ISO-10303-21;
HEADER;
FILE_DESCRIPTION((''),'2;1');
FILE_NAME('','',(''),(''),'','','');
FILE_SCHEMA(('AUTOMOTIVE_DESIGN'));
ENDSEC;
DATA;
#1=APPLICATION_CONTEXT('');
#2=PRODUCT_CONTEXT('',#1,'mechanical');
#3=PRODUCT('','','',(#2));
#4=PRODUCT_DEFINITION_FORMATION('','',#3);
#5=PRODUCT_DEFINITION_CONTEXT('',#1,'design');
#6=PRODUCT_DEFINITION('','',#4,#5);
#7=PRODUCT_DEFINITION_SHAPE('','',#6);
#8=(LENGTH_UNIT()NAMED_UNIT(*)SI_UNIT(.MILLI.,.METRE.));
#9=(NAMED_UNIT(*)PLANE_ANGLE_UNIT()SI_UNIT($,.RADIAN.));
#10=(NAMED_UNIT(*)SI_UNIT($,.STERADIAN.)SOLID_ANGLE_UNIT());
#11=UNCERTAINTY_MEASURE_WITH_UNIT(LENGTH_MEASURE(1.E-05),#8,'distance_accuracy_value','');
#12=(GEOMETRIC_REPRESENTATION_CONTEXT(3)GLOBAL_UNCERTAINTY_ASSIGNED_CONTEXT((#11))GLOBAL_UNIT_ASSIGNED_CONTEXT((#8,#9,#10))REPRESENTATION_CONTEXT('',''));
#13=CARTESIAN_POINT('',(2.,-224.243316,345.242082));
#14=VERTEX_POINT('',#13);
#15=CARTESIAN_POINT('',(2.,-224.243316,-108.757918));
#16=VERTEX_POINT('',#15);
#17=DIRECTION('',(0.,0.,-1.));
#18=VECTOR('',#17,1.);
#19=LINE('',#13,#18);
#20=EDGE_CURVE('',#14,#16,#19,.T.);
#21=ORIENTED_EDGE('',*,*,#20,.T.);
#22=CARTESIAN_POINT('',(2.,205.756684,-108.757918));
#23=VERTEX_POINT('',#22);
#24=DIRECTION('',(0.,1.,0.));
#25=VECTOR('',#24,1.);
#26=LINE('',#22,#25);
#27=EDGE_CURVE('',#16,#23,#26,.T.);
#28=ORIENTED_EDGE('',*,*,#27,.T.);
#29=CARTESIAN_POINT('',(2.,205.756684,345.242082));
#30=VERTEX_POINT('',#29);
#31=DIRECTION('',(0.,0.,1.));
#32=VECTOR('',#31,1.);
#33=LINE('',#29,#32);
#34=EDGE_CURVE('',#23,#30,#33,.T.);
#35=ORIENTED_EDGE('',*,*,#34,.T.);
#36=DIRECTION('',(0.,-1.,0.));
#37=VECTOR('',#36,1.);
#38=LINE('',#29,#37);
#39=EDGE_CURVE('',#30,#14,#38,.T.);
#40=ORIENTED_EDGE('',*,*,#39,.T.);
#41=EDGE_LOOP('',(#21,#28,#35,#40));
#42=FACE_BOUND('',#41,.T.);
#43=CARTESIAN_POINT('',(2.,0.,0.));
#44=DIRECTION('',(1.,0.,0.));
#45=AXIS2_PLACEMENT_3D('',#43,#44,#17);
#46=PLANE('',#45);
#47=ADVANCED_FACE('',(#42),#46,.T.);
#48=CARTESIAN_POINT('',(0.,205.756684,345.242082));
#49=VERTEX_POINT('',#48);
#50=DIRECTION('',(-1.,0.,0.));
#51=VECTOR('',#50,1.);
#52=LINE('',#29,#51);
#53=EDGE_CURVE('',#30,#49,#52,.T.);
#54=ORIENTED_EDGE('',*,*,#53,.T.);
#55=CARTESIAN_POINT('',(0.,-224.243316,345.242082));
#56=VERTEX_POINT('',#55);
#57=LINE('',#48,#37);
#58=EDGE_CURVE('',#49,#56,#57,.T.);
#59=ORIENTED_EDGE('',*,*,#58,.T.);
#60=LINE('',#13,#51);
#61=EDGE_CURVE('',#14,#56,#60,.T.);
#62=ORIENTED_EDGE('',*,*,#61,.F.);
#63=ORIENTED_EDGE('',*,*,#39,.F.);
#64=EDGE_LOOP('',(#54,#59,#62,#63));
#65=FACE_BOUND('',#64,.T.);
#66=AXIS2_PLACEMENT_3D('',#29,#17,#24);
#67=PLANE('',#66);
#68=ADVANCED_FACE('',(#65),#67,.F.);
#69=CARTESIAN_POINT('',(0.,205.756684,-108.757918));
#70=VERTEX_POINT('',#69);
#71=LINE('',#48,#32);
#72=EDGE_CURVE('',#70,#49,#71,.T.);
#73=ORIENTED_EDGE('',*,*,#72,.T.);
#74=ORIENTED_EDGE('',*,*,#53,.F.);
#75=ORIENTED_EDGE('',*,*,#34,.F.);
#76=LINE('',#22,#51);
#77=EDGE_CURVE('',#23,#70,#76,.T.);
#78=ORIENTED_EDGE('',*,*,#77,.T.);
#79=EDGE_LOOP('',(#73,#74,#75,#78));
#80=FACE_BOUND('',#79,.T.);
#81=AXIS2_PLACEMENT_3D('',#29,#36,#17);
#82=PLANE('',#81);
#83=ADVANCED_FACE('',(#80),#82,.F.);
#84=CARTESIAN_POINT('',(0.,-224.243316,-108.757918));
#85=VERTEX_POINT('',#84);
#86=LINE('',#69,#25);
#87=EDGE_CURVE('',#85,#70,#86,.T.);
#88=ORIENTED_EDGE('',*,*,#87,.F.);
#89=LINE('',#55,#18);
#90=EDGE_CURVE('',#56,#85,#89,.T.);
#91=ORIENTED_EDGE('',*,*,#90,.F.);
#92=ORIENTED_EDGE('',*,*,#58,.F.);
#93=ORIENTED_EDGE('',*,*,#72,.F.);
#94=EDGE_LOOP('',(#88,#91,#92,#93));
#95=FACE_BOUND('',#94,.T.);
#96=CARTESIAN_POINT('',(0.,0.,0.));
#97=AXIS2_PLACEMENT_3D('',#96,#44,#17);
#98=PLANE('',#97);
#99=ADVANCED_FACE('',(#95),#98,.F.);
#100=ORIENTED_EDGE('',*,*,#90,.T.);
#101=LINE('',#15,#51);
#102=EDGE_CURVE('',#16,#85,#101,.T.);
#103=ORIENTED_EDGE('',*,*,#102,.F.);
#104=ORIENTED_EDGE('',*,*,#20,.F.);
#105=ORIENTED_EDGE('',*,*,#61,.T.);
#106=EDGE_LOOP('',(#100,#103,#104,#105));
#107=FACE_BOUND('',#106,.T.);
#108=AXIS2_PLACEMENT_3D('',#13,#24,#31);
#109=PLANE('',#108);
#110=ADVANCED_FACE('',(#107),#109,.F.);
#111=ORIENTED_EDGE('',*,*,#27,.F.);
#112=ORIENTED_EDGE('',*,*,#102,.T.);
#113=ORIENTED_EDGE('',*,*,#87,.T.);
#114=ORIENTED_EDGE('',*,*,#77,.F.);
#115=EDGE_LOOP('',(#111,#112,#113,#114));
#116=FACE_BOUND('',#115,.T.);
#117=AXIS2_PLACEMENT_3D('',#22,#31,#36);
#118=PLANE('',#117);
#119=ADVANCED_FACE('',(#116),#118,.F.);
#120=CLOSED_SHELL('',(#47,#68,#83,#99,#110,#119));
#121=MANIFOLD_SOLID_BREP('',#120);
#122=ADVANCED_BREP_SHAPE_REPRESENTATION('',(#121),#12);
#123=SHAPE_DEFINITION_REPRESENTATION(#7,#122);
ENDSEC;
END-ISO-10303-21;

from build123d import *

# Parameters (mm, degrees)
SKETCH1_W           = 454
SKETCH1_H           = 430
BOSS_EXTRUDE1_DEPTH = 2


with BuildPart() as part:
    # Sketch1 → Boss-Extrude1 (new body)
    with BuildSketch(Plane(origin=(0, 0, 0), x_dir=(0, 0, -1), z_dir=(1, 0, 0))):
        with Locations((-118.242082369, -9.243315508)):
            Rectangle(SKETCH1_W, SKETCH1_H)
    extrude(amount=BOSS_EXTRUDE1_DEPTH)


solid = part.part
